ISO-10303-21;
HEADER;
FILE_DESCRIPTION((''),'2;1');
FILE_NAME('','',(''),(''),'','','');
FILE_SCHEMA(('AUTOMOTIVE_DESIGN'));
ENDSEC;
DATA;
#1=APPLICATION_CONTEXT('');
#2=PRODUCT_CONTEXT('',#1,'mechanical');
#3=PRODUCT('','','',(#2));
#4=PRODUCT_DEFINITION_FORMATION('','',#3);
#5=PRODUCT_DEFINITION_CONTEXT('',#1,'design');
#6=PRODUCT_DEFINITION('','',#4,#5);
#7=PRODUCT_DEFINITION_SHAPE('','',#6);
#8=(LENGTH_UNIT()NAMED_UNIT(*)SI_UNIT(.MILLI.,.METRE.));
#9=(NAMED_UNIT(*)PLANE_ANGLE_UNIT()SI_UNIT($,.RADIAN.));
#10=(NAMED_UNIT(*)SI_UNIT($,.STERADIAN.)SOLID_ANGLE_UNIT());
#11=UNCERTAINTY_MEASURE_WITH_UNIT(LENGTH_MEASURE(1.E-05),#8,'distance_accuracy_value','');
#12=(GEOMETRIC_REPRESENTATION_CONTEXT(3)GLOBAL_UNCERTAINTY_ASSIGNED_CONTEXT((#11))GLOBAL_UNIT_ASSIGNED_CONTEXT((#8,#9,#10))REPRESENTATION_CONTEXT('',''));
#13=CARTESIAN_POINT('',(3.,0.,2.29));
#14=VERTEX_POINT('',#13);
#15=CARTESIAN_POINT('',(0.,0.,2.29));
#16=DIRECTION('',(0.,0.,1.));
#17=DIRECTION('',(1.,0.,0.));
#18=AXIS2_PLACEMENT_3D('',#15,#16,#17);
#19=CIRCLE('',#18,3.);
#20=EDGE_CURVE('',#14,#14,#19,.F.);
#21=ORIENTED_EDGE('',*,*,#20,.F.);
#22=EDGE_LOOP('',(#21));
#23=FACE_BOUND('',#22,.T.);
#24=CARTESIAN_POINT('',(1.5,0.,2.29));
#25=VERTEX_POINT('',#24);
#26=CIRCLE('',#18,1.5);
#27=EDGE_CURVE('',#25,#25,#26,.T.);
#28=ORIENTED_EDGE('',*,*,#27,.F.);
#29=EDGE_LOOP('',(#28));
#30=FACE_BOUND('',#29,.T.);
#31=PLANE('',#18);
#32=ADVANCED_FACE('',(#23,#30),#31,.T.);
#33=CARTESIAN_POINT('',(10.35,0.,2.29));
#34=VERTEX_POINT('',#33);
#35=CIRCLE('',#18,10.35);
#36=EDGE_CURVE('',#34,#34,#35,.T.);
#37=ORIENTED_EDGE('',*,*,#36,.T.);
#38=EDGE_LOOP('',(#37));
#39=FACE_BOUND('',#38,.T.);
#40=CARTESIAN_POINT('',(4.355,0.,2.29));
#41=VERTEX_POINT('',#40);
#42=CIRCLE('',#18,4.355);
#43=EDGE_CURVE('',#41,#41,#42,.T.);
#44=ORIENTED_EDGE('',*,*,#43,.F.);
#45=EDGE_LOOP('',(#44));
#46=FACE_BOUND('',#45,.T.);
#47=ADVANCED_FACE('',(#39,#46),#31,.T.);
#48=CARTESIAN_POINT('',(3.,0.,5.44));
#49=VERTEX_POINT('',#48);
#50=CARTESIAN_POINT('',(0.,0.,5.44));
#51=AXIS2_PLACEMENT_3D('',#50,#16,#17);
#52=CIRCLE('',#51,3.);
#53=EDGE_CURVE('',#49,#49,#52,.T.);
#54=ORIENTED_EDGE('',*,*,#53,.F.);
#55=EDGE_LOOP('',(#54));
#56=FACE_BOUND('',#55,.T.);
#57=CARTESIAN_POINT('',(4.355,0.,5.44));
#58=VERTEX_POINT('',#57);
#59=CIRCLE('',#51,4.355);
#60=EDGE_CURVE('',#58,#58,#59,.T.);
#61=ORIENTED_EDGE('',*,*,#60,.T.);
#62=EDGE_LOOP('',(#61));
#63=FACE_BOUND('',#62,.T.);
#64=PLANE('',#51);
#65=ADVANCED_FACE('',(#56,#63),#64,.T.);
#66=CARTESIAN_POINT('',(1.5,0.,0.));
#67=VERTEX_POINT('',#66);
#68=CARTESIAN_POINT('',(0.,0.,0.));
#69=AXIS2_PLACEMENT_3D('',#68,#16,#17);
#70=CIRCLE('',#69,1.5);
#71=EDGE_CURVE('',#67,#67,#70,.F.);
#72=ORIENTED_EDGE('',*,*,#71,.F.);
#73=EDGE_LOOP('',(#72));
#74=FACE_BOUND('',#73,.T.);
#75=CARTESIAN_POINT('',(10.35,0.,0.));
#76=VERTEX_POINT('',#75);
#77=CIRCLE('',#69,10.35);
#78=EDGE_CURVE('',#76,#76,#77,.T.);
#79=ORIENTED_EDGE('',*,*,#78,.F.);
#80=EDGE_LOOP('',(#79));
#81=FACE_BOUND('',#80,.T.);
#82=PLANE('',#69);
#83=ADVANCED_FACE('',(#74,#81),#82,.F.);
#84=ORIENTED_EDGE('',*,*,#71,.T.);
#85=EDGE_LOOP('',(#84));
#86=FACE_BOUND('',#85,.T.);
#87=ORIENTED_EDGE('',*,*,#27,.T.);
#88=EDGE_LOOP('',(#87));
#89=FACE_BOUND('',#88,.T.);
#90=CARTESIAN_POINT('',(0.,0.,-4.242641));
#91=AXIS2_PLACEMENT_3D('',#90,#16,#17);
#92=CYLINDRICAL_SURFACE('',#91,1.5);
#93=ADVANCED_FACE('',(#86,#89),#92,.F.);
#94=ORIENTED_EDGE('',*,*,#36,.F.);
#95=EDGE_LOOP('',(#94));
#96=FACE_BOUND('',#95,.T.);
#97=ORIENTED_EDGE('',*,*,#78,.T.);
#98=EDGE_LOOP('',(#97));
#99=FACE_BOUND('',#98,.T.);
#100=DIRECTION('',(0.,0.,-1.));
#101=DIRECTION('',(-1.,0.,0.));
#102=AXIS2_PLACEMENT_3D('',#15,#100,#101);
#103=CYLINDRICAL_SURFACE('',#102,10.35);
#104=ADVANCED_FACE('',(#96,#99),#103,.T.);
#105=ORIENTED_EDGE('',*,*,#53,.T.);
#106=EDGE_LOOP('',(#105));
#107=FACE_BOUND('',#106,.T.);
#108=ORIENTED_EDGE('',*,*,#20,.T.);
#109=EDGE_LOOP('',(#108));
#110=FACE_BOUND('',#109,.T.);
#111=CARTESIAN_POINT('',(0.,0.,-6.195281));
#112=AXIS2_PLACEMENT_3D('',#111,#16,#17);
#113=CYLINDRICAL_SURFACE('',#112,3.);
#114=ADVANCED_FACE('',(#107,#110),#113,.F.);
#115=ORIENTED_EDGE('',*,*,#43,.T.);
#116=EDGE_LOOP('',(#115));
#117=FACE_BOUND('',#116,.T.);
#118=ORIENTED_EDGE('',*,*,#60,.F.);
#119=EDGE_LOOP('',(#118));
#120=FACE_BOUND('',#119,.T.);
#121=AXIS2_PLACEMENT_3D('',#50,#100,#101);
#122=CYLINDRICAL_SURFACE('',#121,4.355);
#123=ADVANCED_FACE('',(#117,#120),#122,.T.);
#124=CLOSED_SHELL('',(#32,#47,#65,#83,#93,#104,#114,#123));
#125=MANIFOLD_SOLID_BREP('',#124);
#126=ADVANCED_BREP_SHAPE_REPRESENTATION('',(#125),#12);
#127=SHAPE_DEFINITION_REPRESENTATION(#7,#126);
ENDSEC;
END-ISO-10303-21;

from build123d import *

# Parameters (mm, degrees)
SKETCH1_R           = 10.35
BOSS_EXTRUDE1_DEPTH = 2.29
SKETCH2_R           = 4.355
BOSS_EXTRUDE2_DEPTH = 3.15
SKETCH3_R           = 3
CUT_EXTRUDE1_DEPTH  = 3.15
SKETCH4_R           = 1.5
CUT_EXTRUDE2_DEPTH  = 2.29


with BuildPart() as part:
    # Sketch1 → Boss-Extrude1 (new body)
    with BuildSketch(Plane.XY):
        Circle(SKETCH1_R)
    extrude(amount=BOSS_EXTRUDE1_DEPTH)

    # Sketch2 → Boss-Extrude2 (add)
    with BuildSketch(Plane.XY.offset(2.29)):
        Circle(SKETCH2_R)
    extrude(amount=BOSS_EXTRUDE2_DEPTH)

    # Sketch3 → Cut-Extrude1 (cut)
    with BuildSketch(Plane.XY.offset(5.44)):
        Circle(SKETCH3_R)
    extrude(amount=-CUT_EXTRUDE1_DEPTH, mode=Mode.SUBTRACT)

    # Sketch4 → Cut-Extrude2 (cut)
    with BuildSketch(Plane.XY.offset(2.29)):
        Circle(SKETCH4_R)
    extrude(amount=-CUT_EXTRUDE2_DEPTH, mode=Mode.SUBTRACT)


solid = part.part
